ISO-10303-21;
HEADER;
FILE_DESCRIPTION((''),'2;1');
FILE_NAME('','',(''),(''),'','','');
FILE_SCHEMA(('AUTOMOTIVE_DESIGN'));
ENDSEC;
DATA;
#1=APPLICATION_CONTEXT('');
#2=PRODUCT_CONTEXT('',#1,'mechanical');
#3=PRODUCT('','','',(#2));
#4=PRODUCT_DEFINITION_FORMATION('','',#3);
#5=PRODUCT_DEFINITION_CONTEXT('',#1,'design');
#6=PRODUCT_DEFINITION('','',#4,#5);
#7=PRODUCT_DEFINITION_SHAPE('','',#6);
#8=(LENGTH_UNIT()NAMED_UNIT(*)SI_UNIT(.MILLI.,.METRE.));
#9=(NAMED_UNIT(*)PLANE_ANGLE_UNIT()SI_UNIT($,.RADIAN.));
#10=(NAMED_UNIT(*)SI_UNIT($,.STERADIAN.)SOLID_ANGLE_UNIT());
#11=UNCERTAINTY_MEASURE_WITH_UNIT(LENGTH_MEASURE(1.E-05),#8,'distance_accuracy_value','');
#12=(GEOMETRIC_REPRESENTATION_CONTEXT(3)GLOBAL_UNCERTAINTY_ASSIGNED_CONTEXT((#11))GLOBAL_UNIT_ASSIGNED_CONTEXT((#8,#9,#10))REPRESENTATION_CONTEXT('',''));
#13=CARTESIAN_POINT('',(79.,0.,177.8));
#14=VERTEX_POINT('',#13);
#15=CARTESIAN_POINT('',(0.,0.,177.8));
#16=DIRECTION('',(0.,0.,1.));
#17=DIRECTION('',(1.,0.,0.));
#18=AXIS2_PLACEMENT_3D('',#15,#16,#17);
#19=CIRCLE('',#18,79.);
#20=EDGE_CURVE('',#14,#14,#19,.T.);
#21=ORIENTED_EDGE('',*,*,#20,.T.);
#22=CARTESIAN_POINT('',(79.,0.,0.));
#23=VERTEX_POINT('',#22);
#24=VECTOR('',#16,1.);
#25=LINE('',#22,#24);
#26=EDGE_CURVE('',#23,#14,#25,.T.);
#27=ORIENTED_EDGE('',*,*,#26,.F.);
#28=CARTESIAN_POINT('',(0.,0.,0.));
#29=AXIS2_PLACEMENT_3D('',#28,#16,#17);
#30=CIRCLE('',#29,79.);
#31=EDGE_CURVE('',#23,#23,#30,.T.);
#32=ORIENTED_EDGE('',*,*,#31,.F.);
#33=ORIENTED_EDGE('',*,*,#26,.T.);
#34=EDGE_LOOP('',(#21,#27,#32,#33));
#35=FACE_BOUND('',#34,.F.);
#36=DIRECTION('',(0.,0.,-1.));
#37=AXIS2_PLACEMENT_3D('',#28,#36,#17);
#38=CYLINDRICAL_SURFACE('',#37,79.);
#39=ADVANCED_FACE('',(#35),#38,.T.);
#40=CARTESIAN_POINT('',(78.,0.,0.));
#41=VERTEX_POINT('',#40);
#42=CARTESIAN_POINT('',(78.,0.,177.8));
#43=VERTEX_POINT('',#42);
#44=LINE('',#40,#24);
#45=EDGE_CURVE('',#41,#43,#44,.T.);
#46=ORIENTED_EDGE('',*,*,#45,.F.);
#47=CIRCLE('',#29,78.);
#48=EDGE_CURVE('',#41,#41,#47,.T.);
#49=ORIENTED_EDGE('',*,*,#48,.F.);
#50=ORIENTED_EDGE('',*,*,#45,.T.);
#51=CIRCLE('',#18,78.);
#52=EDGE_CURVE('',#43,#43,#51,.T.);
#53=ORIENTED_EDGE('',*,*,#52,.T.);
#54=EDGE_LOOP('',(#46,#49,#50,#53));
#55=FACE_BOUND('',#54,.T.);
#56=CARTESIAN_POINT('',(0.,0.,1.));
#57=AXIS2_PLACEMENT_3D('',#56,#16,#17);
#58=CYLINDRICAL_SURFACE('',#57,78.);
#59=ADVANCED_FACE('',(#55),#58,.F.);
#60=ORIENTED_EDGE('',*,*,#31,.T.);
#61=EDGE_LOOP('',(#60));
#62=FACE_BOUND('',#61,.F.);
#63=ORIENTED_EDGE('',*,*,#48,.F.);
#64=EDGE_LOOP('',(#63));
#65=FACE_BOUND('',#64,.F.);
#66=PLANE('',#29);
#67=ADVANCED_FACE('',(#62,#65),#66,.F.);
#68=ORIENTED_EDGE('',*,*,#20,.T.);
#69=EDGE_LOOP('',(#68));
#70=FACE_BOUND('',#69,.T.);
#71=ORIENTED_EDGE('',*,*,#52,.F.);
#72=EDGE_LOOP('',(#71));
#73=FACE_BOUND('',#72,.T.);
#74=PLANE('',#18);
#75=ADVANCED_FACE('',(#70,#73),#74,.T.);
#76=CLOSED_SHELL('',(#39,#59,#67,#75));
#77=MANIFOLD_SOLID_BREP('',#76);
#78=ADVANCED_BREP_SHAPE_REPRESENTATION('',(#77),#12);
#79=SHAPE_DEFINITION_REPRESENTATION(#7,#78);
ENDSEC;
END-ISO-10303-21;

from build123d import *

# Parameters (mm, degrees)
F0_R     = 79
F1_DEPTH = 177.8
F2_T     = -1
F3_DEPTH = 1.001
F4_R     = 2
F5_DEPTH = 110


with BuildPart() as f1:
    # F0 (on Top) → F1 (new body)
    with BuildSketch(Plane.XY):
        Circle(F0_R)
    extrude(amount=F1_DEPTH)

    # F2
    f2_openings = [f1.faces().sort_by_distance(p)[0] for p in [
        (0, 0, 177.8),
    ]]
    offset(amount=F2_T, openings=f2_openings)

    # F3 (cut, through all): a face of the model
    f3_faces = [f1.faces().sort_by_distance(p)[0] for p in [
        (0, 0, 1),
    ]]
    extrude(f3_faces, amount=-F3_DEPTH, mode=Mode.SUBTRACT)


with BuildPart() as f5:
    # F4 (on Top) → F5 (new body)
    with BuildSketch(Plane.XY):
        with Locations((-59.2270195484, 59.6657395363)):
            Circle(F4_R)
    extrude(amount=F5_DEPTH)


solid = f1.part
